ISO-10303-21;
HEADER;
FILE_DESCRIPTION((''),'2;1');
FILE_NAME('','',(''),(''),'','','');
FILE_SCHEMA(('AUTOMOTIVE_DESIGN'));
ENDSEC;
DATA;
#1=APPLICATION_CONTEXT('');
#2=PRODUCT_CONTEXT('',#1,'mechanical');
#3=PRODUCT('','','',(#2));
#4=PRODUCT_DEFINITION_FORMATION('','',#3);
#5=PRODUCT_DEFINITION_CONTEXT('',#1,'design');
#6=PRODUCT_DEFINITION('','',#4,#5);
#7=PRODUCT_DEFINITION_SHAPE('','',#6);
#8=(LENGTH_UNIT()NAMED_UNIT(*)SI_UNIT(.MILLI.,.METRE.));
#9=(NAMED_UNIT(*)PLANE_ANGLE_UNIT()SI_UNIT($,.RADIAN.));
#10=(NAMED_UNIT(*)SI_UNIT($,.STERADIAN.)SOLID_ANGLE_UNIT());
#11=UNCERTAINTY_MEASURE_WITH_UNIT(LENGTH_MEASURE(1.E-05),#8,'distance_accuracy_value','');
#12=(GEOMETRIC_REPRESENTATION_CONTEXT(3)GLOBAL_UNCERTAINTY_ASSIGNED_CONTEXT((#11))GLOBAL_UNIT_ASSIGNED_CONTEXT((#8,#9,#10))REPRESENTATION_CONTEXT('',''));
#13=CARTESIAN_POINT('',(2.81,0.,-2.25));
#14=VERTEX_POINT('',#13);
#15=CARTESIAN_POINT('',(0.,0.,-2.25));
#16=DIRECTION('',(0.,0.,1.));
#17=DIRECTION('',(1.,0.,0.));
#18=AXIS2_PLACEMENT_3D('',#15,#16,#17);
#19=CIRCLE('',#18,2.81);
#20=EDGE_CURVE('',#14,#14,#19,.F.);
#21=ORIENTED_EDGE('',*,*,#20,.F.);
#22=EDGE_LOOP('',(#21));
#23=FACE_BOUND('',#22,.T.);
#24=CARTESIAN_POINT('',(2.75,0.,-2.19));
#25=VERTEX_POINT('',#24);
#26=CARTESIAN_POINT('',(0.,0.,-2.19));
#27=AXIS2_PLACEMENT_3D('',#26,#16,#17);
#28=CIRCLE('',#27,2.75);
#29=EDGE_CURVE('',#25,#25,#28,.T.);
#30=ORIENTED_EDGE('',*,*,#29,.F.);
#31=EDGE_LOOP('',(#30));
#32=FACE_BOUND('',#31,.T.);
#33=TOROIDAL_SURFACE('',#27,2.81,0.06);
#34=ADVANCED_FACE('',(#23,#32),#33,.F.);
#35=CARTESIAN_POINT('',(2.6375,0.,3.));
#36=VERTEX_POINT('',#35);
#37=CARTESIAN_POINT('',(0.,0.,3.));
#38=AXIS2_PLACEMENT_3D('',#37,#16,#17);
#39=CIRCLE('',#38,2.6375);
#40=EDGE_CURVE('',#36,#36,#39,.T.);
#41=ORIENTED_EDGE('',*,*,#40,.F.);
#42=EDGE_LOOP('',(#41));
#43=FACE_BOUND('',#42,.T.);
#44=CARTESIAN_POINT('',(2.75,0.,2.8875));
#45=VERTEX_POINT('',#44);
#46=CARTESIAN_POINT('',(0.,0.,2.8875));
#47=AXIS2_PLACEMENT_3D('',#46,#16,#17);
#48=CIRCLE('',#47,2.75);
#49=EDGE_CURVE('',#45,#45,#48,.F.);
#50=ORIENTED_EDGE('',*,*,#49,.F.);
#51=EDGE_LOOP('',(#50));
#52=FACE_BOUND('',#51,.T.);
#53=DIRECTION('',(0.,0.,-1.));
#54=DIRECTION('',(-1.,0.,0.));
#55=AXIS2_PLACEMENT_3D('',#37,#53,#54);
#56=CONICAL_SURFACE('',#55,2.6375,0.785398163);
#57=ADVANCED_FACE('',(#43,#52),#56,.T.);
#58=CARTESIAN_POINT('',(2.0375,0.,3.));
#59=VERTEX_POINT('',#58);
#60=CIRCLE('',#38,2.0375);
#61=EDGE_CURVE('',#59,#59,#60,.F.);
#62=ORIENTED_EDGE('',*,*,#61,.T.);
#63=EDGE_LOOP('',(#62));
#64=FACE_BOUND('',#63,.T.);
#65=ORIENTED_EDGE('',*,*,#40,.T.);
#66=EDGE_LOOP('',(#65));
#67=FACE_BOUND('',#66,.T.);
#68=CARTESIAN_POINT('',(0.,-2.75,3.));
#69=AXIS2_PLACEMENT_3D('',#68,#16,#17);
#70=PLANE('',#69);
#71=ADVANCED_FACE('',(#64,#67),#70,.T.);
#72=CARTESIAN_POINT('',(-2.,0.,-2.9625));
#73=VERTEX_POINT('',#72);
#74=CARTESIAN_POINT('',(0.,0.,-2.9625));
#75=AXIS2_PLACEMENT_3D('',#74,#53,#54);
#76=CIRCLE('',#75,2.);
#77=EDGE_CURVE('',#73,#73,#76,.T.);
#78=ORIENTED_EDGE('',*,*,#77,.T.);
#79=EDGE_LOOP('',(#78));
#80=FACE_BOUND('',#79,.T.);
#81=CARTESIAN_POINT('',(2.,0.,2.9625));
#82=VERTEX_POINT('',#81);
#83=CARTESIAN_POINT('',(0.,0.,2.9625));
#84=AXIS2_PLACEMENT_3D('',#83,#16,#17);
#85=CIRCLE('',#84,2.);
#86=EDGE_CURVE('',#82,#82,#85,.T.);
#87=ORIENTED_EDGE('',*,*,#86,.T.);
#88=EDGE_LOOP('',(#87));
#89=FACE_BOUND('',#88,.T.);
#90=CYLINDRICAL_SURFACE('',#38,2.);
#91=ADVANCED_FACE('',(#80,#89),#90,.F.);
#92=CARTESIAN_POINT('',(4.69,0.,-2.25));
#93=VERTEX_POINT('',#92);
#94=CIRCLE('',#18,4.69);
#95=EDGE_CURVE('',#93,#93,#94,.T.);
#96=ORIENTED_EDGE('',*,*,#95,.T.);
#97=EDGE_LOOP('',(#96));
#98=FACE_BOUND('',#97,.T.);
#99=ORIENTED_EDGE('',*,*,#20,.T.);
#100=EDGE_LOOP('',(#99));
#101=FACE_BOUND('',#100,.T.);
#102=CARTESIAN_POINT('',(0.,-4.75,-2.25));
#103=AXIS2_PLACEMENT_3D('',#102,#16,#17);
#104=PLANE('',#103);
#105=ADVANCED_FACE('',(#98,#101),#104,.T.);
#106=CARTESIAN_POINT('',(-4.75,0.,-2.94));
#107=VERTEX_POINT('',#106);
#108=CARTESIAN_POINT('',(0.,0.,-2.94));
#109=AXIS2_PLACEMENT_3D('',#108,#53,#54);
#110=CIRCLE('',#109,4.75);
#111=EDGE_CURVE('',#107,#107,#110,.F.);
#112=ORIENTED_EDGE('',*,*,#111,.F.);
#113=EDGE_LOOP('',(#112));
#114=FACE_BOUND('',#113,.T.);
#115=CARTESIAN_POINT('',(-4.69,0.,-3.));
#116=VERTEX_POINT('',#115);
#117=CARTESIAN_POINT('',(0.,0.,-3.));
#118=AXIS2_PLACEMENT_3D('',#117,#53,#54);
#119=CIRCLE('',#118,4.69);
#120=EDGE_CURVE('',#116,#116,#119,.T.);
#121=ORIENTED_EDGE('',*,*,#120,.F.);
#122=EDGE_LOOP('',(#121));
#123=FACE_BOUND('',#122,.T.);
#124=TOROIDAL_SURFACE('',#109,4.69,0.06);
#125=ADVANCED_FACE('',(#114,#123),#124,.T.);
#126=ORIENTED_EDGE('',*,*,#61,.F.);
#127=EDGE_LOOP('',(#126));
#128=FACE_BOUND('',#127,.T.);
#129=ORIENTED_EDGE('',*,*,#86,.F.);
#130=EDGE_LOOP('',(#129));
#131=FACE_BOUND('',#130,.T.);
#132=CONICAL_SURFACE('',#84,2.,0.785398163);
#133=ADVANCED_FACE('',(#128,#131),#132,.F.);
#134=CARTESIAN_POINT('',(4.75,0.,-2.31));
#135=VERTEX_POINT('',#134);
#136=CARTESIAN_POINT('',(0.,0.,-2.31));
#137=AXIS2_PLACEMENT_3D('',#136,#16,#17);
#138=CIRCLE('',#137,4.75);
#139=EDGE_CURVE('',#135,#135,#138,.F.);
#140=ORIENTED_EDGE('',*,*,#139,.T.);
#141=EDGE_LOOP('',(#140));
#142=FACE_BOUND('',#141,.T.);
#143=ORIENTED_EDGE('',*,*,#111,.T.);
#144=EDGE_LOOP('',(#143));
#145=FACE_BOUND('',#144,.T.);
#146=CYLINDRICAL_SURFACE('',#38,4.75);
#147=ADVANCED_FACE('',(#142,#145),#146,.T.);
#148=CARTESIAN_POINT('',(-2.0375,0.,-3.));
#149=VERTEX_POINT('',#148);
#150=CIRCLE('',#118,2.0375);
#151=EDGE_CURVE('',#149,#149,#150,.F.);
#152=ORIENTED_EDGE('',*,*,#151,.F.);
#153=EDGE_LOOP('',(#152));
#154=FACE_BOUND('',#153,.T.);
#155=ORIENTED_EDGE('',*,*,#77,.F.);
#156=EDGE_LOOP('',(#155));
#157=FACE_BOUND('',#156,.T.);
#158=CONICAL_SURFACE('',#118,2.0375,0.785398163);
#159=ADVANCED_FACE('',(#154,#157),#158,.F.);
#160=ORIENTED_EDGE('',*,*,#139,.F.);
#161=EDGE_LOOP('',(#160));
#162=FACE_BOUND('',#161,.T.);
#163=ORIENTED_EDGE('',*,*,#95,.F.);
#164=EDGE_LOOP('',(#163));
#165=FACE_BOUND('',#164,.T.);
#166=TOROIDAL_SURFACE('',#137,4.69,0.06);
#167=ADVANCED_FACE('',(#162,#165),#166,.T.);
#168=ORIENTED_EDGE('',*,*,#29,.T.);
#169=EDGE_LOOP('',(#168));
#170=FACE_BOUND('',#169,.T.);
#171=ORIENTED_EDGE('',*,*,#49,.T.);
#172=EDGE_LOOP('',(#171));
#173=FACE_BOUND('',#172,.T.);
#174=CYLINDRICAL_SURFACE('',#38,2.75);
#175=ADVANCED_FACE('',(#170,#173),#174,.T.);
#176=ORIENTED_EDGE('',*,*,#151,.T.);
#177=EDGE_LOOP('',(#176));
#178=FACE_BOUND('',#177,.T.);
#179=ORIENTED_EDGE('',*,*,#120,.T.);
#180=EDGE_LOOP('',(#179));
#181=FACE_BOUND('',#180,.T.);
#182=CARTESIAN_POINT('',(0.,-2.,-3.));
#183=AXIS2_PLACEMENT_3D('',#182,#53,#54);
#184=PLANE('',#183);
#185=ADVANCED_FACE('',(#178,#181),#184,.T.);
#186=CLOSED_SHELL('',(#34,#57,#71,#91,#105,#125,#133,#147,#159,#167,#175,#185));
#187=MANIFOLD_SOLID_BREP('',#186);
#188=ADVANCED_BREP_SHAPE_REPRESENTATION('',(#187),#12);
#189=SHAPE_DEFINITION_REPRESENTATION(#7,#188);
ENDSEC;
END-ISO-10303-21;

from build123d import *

# Parameters (mm, degrees)
CHAMFER1_SIZE = 0.1125
CHAMFER2_SIZE = 0.0375
FILLET1_R     = 0.06


with BuildPart() as part:
    # Sketch3 → Revolve1 (revolve)
    with BuildSketch(Plane(origin=(0, 0, 0), x_dir=(0, 0, -1), z_dir=(1, 0, 0))):
        Polygon((3, -4.75), (2.25, -4.75), (2.25, -2.75), (-3, -2.75), (-3, -2), (3, -2), align=None)
    revolve(axis=Axis((0, 0, 3), (0, 0, -1)))

    # Chamfer1
    chamfer1_edges = [part.edges().sort_by_distance(p)[0] for p in [
        (0, 2.75, 3),
    ]]
    chamfer(chamfer1_edges, length=CHAMFER1_SIZE)

    # Chamfer2
    chamfer2_edges = [part.edges().sort_by_distance(p)[0] for p in [
        (0, 2, -3),
        (0, 2, 3),
    ]]
    chamfer(chamfer2_edges, length=CHAMFER2_SIZE)

    # Fillet1
    fillet1_edges = [part.edges().sort_by_distance(p)[0] for p in [
        (0, 2.75, -2.25),
        (0, 4.75, -2.25),
        (0, 4.75, -3),
    ]]
    fillet(fillet1_edges, radius=FILLET1_R)


solid = part.part
